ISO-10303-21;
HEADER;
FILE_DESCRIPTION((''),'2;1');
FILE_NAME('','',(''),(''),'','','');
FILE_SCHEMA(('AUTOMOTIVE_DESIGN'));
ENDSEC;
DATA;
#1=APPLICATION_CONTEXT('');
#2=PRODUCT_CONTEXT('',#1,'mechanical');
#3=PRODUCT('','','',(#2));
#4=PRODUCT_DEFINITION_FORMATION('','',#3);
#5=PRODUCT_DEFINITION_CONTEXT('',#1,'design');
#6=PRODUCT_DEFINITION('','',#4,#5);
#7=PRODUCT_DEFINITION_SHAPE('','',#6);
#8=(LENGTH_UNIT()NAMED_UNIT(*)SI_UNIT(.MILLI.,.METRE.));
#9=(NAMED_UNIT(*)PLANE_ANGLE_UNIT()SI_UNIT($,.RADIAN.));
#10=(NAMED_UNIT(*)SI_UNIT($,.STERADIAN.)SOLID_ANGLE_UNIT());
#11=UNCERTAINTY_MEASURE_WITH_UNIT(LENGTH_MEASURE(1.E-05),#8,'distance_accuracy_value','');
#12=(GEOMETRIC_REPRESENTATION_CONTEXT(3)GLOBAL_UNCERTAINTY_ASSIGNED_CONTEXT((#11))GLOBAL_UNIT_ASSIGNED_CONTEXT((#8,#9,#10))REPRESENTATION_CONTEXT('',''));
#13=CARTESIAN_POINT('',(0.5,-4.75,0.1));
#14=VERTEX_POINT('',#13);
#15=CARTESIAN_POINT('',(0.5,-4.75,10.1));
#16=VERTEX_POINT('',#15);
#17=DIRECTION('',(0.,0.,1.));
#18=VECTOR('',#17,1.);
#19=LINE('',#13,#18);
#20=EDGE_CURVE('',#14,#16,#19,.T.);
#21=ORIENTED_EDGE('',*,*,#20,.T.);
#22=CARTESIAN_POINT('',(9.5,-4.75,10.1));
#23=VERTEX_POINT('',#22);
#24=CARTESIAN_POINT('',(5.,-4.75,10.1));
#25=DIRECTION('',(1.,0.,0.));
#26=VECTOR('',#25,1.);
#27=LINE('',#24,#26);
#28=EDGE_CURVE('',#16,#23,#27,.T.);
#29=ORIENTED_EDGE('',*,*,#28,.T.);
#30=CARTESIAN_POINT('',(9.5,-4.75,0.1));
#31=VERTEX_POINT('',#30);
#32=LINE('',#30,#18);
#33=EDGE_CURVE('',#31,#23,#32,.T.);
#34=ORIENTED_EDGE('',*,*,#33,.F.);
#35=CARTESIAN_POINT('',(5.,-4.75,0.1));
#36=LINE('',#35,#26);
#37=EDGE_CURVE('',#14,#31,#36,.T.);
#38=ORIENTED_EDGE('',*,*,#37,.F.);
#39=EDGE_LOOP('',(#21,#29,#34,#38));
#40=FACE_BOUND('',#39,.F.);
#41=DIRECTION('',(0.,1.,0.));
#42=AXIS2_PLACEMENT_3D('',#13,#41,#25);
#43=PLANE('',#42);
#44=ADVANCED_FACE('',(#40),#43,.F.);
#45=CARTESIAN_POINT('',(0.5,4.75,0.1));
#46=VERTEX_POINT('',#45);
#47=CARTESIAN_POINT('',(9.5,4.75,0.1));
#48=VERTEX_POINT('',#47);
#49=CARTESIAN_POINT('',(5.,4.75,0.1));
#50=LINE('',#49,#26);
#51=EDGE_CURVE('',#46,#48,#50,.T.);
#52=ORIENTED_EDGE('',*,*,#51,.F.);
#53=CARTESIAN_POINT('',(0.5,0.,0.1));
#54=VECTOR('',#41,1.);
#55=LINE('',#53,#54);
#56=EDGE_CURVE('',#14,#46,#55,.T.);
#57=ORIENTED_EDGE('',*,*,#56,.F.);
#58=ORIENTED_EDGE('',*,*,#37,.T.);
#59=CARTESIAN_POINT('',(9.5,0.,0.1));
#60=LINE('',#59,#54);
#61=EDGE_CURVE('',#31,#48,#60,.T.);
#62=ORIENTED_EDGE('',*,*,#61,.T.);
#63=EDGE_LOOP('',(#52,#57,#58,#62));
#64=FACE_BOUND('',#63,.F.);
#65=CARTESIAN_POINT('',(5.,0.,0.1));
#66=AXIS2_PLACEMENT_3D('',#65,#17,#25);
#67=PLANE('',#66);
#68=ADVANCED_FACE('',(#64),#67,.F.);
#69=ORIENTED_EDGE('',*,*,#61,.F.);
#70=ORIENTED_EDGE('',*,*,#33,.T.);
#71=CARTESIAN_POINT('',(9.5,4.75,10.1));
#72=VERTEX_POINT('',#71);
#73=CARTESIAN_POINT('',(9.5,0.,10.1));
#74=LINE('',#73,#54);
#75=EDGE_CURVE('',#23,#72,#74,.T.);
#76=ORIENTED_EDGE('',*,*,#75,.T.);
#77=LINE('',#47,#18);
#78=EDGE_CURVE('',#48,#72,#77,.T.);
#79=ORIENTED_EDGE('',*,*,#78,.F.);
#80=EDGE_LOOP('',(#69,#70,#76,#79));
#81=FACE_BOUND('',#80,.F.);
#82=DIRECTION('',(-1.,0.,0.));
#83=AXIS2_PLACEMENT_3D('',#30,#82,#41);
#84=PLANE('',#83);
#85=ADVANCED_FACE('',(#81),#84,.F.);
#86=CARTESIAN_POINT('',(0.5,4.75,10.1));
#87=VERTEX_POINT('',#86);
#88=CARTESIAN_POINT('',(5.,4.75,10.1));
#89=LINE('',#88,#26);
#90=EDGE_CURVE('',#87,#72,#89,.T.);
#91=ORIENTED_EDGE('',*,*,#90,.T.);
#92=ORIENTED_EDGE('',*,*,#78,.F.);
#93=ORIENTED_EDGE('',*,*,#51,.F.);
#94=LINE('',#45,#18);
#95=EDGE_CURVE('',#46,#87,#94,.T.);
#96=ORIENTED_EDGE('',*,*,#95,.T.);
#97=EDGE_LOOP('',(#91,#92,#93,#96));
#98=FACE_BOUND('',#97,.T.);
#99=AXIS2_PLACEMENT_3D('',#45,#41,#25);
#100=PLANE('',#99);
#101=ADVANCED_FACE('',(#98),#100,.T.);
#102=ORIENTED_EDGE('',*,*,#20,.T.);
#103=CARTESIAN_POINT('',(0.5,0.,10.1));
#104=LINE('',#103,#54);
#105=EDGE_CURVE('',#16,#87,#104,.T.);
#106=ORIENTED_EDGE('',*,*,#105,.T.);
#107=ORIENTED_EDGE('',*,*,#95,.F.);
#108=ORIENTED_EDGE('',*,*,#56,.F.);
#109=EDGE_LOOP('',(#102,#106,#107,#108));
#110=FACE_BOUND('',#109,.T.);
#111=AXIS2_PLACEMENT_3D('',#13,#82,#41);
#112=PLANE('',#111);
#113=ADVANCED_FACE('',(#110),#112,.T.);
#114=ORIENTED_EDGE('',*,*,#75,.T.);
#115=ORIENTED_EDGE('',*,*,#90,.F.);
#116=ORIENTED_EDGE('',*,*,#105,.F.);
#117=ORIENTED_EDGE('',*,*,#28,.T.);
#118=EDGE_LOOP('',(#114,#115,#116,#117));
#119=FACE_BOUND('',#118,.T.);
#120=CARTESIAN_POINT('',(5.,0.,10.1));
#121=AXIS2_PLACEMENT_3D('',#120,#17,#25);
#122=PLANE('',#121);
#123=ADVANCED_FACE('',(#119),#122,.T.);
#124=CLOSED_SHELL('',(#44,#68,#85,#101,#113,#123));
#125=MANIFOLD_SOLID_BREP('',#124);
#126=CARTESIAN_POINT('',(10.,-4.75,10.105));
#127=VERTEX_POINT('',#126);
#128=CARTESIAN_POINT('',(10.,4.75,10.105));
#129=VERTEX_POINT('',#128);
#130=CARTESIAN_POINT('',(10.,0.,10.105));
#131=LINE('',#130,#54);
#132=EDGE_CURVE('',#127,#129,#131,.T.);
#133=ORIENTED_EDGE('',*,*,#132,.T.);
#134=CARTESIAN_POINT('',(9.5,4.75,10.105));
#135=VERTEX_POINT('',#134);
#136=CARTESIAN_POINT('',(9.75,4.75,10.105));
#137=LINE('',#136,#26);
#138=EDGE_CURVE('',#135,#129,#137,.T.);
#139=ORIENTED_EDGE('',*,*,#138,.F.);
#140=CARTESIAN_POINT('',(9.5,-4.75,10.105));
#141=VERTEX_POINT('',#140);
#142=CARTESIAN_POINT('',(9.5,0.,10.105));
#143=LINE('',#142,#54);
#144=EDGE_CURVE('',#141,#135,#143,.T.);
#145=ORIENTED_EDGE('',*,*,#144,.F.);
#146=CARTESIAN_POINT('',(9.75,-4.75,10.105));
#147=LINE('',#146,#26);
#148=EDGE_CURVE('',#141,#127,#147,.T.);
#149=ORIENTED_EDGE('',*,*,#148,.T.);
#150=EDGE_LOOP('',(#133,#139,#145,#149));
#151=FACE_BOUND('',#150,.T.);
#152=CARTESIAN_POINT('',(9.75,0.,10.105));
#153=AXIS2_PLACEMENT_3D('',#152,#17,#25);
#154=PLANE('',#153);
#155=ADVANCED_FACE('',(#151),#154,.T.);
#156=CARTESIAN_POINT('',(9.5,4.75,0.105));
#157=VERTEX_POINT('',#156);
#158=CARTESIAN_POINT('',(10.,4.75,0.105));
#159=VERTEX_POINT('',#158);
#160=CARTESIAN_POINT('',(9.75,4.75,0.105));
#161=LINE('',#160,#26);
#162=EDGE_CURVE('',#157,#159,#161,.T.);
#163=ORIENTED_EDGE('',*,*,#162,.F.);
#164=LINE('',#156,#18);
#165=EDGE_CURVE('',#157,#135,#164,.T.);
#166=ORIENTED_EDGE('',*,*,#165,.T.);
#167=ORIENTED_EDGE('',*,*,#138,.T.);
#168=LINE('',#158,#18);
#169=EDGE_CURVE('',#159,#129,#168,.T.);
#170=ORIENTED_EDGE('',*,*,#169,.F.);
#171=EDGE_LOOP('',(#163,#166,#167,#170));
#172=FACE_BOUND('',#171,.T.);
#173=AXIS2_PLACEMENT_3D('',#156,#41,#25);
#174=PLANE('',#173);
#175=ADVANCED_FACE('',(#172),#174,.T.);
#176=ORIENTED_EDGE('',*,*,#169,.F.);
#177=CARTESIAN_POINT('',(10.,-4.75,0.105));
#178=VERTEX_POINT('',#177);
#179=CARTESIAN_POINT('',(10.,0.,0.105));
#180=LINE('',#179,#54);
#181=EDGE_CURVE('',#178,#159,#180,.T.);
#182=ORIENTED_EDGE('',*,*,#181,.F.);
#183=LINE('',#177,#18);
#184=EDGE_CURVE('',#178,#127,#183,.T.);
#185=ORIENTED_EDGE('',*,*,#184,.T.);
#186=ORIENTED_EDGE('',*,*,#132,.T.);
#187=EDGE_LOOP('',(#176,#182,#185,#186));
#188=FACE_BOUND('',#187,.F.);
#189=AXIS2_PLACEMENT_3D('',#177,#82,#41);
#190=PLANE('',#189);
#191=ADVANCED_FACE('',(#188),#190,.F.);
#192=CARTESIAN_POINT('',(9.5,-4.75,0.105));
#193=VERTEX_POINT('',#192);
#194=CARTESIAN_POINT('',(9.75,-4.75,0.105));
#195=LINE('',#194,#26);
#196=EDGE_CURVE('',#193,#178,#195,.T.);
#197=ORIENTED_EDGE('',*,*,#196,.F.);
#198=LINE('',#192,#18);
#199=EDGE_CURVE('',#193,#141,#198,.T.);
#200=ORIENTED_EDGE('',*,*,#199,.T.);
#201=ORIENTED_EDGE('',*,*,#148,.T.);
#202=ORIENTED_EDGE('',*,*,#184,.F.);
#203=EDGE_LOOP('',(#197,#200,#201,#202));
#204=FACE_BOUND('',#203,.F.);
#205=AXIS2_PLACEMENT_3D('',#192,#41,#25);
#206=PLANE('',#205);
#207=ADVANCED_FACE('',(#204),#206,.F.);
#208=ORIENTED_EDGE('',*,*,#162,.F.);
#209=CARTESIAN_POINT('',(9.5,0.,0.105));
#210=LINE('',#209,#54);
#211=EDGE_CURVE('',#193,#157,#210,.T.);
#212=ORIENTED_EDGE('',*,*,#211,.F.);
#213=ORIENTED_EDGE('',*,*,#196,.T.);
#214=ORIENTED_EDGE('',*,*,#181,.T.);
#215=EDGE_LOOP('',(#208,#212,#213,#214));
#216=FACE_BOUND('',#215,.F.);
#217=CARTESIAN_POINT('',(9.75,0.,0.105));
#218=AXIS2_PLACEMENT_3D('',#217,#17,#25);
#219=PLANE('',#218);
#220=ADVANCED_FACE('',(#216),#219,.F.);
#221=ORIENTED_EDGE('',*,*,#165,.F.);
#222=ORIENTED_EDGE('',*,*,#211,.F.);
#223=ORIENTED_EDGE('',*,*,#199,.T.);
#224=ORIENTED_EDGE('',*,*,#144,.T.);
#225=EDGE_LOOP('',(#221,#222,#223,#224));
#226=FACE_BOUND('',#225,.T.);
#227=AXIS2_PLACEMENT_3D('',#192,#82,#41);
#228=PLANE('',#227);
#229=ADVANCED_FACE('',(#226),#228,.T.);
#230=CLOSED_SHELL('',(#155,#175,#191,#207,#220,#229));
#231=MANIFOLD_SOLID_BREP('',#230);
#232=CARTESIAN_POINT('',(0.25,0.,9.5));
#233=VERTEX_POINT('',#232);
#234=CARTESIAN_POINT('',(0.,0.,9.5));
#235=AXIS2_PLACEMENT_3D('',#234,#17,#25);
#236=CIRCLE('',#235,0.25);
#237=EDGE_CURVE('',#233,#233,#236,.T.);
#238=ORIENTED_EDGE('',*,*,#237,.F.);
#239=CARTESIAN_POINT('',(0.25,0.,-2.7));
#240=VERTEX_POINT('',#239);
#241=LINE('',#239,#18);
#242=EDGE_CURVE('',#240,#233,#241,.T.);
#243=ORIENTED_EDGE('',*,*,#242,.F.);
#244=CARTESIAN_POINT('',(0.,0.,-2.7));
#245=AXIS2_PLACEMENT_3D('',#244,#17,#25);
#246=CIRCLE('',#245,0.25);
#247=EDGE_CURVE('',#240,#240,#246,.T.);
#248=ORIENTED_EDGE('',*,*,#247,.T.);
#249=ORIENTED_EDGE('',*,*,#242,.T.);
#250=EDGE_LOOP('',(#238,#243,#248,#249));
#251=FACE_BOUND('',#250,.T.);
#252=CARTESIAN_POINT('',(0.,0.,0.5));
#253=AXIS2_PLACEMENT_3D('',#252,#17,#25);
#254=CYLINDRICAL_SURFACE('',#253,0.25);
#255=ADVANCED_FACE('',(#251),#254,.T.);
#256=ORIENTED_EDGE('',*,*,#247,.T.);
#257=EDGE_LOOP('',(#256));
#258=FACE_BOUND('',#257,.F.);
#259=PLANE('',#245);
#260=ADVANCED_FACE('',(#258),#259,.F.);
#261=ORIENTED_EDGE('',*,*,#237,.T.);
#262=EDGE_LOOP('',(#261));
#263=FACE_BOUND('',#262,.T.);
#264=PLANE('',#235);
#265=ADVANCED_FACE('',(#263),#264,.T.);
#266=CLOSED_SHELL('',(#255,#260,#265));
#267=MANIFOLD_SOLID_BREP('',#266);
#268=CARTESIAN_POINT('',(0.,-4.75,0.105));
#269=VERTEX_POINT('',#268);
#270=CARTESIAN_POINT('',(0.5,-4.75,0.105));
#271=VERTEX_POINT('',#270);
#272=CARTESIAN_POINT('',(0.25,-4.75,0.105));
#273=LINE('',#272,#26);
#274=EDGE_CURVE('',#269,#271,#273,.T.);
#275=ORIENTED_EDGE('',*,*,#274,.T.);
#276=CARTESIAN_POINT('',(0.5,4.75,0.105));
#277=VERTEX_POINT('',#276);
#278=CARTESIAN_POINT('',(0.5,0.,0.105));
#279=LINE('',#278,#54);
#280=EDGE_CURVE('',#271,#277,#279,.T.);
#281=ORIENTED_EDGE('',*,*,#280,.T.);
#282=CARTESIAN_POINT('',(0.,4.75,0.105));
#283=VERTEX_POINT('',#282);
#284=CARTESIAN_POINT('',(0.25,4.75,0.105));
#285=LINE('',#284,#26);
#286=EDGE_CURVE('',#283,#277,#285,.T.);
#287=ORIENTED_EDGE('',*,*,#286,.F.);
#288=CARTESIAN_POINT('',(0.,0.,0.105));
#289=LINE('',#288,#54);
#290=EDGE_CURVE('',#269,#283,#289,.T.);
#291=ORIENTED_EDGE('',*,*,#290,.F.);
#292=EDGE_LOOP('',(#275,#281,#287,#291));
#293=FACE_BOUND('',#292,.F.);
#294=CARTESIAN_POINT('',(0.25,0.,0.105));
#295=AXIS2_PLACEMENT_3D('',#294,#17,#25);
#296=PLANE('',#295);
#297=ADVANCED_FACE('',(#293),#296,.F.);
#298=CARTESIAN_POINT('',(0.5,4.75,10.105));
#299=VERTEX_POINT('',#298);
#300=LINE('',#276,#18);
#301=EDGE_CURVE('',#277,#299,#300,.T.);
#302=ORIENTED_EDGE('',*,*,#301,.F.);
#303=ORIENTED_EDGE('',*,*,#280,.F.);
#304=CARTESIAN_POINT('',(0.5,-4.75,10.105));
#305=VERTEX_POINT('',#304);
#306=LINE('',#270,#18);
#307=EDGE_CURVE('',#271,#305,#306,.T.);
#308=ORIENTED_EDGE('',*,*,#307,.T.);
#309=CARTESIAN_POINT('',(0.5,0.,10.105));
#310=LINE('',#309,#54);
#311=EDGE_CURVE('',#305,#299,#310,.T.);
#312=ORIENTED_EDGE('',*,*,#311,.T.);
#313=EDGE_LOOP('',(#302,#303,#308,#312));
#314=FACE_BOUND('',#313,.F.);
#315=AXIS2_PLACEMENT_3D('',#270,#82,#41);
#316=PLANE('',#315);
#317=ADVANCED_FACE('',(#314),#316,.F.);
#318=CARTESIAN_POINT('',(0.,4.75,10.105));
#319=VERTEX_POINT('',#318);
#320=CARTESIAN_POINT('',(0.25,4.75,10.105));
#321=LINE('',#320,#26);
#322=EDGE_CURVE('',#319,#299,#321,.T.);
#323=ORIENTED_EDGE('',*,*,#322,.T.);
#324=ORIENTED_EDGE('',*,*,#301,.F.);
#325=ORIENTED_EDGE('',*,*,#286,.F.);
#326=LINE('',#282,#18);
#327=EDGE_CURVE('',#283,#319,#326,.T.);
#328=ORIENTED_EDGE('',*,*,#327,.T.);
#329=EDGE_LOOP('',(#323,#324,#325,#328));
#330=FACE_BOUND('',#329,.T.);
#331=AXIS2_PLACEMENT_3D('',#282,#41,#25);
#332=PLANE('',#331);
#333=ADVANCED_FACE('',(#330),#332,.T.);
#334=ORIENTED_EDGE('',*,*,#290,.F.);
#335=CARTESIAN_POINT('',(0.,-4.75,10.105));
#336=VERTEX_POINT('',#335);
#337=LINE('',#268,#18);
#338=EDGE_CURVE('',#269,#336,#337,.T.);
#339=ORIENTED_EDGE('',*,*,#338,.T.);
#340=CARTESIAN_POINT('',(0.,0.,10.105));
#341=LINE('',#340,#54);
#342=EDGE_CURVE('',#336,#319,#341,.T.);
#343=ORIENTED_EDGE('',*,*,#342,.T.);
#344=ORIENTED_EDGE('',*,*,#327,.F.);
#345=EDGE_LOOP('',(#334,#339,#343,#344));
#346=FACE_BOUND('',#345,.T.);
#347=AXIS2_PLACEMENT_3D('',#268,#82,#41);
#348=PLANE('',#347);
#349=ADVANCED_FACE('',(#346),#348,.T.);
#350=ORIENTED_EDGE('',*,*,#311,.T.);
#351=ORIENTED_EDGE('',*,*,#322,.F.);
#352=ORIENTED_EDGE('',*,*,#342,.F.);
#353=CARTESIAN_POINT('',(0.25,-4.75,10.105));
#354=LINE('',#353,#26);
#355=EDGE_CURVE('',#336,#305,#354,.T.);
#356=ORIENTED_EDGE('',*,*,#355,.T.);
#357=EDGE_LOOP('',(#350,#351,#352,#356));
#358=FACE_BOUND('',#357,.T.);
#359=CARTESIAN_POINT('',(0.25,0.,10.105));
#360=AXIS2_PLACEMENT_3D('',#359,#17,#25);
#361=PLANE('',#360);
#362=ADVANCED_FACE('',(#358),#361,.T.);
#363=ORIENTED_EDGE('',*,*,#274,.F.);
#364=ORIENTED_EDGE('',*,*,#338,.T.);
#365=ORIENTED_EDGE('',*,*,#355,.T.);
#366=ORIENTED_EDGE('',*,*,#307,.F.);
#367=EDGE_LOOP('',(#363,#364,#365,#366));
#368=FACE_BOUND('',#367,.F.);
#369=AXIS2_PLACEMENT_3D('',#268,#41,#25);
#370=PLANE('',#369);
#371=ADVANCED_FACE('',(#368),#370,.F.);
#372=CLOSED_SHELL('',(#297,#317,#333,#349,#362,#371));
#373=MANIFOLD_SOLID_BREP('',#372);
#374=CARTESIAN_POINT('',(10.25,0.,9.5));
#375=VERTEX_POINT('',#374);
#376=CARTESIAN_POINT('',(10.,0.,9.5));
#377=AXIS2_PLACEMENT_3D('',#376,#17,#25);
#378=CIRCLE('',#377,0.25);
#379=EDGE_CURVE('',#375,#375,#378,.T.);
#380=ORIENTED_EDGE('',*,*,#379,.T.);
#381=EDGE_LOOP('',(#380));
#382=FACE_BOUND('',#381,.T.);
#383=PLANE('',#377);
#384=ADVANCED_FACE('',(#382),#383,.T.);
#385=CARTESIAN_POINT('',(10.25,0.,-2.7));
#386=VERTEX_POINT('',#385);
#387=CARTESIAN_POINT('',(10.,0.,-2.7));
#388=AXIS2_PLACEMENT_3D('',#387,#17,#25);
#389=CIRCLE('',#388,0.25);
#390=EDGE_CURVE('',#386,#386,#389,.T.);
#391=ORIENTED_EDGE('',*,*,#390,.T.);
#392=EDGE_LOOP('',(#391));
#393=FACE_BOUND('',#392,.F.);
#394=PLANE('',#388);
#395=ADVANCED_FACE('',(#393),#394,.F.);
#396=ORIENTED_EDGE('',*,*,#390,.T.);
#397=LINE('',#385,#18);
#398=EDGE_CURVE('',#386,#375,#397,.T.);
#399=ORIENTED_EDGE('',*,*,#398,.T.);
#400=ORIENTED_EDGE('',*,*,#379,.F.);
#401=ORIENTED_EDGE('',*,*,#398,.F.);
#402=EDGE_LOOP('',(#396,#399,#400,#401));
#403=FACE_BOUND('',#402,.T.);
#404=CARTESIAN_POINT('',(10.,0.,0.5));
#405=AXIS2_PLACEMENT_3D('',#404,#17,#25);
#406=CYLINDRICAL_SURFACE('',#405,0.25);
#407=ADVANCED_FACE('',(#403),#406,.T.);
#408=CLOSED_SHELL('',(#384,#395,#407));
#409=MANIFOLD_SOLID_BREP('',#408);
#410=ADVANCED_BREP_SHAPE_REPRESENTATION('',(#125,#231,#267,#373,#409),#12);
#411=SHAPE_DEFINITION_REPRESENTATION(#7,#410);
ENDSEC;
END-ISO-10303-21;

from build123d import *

# Parameters (mm, degrees)
SKETCH_W          = 9
SKETCH_H          = 9.5
PAD_DEPTH         = 10
SKETCH001_R       = 0.25
PAD001_DEPTH      = 9
PAD001_DEPTH_BACK = 3.2
SKETCH002_W       = 0.5
SKETCH002_H       = 9.5
PAD002_DEPTH      = 10


with BuildPart() as pad:
    # Sketch → Pad (new body)
    with BuildSketch(Plane.XY.offset(0.1)):
        with Locations((5, 0)):
            Rectangle(SKETCH_W, SKETCH_H)
    extrude(amount=PAD_DEPTH)


with BuildPart() as pad001:
    # Sketch001 → Pad001 (new body, two sides)
    with BuildSketch(Plane.XY.offset(0.5)) as pad001_sk:
        Circle(SKETCH001_R)
        with Locations((10, 0)):
            Circle(SKETCH001_R)
    extrude(amount=PAD001_DEPTH)
    extrude(pad001_sk.sketch, amount=-PAD001_DEPTH_BACK)


with BuildPart() as pad002:
    # Sketch002 → Pad002 (new body)
    with BuildSketch(Plane.XY.offset(0.105)):
        with Locations((0.25, 0)):
            Rectangle(SKETCH002_W, SKETCH002_H)
        with Locations((9.75, 0)):
            Rectangle(SKETCH002_W, SKETCH002_H)
    extrude(amount=PAD002_DEPTH)


solid = Compound([pad.part, pad001.part, pad002.part])
